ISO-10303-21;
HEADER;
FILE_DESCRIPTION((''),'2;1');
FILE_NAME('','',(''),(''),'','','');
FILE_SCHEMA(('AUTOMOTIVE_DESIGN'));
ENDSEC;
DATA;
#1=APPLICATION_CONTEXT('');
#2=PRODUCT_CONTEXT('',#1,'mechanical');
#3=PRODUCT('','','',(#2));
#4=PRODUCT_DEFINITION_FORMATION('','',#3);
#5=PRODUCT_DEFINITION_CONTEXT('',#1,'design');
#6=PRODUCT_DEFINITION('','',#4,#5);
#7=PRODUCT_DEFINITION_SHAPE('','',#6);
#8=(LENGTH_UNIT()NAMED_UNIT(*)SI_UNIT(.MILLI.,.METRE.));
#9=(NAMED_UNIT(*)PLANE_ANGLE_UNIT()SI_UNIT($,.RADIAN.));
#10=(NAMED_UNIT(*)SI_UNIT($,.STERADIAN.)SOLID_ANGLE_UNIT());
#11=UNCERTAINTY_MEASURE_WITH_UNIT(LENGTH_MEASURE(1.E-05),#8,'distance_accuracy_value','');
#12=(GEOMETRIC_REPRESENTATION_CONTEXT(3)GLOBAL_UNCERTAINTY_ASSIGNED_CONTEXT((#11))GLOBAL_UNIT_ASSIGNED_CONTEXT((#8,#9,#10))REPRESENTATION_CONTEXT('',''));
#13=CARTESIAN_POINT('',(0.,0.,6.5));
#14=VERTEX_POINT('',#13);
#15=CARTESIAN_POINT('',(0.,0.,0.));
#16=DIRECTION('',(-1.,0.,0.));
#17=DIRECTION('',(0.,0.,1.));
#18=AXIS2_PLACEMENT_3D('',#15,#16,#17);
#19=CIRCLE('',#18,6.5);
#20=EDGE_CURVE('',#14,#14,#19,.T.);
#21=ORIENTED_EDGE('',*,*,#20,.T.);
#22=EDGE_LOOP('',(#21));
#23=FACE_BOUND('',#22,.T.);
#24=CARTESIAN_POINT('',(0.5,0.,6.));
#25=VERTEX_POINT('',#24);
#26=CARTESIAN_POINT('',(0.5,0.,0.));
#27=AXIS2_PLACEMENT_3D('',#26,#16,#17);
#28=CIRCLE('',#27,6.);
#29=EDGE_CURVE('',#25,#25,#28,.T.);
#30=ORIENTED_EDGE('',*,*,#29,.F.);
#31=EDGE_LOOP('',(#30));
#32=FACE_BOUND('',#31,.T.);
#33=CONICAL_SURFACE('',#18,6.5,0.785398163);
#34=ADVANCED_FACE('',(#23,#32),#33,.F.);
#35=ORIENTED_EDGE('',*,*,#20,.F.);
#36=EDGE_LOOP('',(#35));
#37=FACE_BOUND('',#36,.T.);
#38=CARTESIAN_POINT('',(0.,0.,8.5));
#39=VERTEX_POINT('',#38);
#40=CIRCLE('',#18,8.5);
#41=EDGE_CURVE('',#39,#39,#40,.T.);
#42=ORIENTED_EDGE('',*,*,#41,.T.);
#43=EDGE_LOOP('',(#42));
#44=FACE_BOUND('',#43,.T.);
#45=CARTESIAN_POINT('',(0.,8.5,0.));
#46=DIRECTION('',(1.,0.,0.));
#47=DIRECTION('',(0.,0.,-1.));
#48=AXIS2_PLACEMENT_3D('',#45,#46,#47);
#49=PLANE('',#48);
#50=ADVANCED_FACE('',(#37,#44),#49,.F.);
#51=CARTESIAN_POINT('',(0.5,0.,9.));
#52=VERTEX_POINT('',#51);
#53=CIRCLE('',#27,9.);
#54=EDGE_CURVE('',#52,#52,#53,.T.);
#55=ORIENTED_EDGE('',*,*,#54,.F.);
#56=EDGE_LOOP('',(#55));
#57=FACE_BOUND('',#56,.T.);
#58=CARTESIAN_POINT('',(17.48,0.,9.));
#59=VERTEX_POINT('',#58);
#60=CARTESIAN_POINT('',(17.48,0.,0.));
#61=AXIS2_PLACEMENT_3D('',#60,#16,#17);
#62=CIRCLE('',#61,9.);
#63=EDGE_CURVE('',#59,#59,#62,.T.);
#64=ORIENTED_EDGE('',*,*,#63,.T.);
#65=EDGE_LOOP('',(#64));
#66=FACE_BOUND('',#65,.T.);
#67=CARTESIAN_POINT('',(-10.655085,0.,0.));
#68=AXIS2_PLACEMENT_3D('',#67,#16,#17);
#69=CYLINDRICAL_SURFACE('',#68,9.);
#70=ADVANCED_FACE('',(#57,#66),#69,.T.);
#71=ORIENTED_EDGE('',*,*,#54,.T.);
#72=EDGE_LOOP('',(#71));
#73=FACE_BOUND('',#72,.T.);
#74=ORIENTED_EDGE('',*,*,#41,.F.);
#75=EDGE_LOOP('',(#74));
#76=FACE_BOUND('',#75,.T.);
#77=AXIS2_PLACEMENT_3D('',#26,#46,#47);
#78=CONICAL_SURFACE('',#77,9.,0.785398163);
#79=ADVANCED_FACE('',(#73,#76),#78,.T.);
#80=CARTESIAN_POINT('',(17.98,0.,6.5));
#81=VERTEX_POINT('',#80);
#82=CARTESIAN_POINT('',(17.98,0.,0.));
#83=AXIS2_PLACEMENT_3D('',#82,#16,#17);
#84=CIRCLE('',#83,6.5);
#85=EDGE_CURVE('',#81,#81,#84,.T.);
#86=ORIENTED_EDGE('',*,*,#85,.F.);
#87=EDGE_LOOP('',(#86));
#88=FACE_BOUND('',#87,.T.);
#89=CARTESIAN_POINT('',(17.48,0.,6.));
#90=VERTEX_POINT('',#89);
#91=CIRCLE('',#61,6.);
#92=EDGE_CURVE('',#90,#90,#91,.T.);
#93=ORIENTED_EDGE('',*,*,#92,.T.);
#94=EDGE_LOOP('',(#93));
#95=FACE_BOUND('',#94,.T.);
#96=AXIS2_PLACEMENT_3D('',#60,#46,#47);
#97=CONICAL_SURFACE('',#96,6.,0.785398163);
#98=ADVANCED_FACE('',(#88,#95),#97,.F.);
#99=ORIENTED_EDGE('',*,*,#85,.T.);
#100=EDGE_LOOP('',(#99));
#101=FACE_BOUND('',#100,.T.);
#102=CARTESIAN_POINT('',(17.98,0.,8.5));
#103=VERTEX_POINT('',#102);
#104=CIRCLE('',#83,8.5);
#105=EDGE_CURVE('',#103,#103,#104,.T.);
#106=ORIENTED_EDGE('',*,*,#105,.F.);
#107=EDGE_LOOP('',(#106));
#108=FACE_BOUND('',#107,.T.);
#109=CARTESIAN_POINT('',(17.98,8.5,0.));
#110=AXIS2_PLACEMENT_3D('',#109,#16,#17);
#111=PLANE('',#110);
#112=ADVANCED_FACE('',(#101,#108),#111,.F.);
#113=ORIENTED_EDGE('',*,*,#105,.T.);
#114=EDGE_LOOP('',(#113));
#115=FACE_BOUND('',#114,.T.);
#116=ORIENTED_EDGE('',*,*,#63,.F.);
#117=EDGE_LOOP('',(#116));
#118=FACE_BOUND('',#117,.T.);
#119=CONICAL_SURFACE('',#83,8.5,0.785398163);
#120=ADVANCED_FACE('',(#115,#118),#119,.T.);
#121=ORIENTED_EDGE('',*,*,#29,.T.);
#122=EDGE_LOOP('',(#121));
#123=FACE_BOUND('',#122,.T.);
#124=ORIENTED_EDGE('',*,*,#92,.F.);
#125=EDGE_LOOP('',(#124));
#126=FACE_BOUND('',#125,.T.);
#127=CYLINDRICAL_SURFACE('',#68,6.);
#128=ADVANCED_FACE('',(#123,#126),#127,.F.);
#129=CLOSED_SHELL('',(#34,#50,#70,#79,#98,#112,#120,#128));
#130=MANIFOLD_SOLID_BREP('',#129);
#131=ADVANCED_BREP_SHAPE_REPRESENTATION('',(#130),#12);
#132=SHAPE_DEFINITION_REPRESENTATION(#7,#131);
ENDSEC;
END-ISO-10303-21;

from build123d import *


with BuildPart() as part:
    # Esquisse1 → Révolution1 (revolve)
    with BuildSketch(Plane.XY, mode=Mode.PRIVATE) as r_volution1_sk:
        Polygon((0, 8.5), (0.5, 9), (17.48, 9), (17.98, 8.5), (17.98, 6.5), (17.48, 6), (0.5, 6), (0, 6.5), align=None)
    revolve(r_volution1_sk.sketch.rotate(Axis((-10.655084746, 0, 0), (1, 0, 0)), 90), axis=Axis((-10.655084746, 0, 0), (1, 0, 0)))


solid = part.part
